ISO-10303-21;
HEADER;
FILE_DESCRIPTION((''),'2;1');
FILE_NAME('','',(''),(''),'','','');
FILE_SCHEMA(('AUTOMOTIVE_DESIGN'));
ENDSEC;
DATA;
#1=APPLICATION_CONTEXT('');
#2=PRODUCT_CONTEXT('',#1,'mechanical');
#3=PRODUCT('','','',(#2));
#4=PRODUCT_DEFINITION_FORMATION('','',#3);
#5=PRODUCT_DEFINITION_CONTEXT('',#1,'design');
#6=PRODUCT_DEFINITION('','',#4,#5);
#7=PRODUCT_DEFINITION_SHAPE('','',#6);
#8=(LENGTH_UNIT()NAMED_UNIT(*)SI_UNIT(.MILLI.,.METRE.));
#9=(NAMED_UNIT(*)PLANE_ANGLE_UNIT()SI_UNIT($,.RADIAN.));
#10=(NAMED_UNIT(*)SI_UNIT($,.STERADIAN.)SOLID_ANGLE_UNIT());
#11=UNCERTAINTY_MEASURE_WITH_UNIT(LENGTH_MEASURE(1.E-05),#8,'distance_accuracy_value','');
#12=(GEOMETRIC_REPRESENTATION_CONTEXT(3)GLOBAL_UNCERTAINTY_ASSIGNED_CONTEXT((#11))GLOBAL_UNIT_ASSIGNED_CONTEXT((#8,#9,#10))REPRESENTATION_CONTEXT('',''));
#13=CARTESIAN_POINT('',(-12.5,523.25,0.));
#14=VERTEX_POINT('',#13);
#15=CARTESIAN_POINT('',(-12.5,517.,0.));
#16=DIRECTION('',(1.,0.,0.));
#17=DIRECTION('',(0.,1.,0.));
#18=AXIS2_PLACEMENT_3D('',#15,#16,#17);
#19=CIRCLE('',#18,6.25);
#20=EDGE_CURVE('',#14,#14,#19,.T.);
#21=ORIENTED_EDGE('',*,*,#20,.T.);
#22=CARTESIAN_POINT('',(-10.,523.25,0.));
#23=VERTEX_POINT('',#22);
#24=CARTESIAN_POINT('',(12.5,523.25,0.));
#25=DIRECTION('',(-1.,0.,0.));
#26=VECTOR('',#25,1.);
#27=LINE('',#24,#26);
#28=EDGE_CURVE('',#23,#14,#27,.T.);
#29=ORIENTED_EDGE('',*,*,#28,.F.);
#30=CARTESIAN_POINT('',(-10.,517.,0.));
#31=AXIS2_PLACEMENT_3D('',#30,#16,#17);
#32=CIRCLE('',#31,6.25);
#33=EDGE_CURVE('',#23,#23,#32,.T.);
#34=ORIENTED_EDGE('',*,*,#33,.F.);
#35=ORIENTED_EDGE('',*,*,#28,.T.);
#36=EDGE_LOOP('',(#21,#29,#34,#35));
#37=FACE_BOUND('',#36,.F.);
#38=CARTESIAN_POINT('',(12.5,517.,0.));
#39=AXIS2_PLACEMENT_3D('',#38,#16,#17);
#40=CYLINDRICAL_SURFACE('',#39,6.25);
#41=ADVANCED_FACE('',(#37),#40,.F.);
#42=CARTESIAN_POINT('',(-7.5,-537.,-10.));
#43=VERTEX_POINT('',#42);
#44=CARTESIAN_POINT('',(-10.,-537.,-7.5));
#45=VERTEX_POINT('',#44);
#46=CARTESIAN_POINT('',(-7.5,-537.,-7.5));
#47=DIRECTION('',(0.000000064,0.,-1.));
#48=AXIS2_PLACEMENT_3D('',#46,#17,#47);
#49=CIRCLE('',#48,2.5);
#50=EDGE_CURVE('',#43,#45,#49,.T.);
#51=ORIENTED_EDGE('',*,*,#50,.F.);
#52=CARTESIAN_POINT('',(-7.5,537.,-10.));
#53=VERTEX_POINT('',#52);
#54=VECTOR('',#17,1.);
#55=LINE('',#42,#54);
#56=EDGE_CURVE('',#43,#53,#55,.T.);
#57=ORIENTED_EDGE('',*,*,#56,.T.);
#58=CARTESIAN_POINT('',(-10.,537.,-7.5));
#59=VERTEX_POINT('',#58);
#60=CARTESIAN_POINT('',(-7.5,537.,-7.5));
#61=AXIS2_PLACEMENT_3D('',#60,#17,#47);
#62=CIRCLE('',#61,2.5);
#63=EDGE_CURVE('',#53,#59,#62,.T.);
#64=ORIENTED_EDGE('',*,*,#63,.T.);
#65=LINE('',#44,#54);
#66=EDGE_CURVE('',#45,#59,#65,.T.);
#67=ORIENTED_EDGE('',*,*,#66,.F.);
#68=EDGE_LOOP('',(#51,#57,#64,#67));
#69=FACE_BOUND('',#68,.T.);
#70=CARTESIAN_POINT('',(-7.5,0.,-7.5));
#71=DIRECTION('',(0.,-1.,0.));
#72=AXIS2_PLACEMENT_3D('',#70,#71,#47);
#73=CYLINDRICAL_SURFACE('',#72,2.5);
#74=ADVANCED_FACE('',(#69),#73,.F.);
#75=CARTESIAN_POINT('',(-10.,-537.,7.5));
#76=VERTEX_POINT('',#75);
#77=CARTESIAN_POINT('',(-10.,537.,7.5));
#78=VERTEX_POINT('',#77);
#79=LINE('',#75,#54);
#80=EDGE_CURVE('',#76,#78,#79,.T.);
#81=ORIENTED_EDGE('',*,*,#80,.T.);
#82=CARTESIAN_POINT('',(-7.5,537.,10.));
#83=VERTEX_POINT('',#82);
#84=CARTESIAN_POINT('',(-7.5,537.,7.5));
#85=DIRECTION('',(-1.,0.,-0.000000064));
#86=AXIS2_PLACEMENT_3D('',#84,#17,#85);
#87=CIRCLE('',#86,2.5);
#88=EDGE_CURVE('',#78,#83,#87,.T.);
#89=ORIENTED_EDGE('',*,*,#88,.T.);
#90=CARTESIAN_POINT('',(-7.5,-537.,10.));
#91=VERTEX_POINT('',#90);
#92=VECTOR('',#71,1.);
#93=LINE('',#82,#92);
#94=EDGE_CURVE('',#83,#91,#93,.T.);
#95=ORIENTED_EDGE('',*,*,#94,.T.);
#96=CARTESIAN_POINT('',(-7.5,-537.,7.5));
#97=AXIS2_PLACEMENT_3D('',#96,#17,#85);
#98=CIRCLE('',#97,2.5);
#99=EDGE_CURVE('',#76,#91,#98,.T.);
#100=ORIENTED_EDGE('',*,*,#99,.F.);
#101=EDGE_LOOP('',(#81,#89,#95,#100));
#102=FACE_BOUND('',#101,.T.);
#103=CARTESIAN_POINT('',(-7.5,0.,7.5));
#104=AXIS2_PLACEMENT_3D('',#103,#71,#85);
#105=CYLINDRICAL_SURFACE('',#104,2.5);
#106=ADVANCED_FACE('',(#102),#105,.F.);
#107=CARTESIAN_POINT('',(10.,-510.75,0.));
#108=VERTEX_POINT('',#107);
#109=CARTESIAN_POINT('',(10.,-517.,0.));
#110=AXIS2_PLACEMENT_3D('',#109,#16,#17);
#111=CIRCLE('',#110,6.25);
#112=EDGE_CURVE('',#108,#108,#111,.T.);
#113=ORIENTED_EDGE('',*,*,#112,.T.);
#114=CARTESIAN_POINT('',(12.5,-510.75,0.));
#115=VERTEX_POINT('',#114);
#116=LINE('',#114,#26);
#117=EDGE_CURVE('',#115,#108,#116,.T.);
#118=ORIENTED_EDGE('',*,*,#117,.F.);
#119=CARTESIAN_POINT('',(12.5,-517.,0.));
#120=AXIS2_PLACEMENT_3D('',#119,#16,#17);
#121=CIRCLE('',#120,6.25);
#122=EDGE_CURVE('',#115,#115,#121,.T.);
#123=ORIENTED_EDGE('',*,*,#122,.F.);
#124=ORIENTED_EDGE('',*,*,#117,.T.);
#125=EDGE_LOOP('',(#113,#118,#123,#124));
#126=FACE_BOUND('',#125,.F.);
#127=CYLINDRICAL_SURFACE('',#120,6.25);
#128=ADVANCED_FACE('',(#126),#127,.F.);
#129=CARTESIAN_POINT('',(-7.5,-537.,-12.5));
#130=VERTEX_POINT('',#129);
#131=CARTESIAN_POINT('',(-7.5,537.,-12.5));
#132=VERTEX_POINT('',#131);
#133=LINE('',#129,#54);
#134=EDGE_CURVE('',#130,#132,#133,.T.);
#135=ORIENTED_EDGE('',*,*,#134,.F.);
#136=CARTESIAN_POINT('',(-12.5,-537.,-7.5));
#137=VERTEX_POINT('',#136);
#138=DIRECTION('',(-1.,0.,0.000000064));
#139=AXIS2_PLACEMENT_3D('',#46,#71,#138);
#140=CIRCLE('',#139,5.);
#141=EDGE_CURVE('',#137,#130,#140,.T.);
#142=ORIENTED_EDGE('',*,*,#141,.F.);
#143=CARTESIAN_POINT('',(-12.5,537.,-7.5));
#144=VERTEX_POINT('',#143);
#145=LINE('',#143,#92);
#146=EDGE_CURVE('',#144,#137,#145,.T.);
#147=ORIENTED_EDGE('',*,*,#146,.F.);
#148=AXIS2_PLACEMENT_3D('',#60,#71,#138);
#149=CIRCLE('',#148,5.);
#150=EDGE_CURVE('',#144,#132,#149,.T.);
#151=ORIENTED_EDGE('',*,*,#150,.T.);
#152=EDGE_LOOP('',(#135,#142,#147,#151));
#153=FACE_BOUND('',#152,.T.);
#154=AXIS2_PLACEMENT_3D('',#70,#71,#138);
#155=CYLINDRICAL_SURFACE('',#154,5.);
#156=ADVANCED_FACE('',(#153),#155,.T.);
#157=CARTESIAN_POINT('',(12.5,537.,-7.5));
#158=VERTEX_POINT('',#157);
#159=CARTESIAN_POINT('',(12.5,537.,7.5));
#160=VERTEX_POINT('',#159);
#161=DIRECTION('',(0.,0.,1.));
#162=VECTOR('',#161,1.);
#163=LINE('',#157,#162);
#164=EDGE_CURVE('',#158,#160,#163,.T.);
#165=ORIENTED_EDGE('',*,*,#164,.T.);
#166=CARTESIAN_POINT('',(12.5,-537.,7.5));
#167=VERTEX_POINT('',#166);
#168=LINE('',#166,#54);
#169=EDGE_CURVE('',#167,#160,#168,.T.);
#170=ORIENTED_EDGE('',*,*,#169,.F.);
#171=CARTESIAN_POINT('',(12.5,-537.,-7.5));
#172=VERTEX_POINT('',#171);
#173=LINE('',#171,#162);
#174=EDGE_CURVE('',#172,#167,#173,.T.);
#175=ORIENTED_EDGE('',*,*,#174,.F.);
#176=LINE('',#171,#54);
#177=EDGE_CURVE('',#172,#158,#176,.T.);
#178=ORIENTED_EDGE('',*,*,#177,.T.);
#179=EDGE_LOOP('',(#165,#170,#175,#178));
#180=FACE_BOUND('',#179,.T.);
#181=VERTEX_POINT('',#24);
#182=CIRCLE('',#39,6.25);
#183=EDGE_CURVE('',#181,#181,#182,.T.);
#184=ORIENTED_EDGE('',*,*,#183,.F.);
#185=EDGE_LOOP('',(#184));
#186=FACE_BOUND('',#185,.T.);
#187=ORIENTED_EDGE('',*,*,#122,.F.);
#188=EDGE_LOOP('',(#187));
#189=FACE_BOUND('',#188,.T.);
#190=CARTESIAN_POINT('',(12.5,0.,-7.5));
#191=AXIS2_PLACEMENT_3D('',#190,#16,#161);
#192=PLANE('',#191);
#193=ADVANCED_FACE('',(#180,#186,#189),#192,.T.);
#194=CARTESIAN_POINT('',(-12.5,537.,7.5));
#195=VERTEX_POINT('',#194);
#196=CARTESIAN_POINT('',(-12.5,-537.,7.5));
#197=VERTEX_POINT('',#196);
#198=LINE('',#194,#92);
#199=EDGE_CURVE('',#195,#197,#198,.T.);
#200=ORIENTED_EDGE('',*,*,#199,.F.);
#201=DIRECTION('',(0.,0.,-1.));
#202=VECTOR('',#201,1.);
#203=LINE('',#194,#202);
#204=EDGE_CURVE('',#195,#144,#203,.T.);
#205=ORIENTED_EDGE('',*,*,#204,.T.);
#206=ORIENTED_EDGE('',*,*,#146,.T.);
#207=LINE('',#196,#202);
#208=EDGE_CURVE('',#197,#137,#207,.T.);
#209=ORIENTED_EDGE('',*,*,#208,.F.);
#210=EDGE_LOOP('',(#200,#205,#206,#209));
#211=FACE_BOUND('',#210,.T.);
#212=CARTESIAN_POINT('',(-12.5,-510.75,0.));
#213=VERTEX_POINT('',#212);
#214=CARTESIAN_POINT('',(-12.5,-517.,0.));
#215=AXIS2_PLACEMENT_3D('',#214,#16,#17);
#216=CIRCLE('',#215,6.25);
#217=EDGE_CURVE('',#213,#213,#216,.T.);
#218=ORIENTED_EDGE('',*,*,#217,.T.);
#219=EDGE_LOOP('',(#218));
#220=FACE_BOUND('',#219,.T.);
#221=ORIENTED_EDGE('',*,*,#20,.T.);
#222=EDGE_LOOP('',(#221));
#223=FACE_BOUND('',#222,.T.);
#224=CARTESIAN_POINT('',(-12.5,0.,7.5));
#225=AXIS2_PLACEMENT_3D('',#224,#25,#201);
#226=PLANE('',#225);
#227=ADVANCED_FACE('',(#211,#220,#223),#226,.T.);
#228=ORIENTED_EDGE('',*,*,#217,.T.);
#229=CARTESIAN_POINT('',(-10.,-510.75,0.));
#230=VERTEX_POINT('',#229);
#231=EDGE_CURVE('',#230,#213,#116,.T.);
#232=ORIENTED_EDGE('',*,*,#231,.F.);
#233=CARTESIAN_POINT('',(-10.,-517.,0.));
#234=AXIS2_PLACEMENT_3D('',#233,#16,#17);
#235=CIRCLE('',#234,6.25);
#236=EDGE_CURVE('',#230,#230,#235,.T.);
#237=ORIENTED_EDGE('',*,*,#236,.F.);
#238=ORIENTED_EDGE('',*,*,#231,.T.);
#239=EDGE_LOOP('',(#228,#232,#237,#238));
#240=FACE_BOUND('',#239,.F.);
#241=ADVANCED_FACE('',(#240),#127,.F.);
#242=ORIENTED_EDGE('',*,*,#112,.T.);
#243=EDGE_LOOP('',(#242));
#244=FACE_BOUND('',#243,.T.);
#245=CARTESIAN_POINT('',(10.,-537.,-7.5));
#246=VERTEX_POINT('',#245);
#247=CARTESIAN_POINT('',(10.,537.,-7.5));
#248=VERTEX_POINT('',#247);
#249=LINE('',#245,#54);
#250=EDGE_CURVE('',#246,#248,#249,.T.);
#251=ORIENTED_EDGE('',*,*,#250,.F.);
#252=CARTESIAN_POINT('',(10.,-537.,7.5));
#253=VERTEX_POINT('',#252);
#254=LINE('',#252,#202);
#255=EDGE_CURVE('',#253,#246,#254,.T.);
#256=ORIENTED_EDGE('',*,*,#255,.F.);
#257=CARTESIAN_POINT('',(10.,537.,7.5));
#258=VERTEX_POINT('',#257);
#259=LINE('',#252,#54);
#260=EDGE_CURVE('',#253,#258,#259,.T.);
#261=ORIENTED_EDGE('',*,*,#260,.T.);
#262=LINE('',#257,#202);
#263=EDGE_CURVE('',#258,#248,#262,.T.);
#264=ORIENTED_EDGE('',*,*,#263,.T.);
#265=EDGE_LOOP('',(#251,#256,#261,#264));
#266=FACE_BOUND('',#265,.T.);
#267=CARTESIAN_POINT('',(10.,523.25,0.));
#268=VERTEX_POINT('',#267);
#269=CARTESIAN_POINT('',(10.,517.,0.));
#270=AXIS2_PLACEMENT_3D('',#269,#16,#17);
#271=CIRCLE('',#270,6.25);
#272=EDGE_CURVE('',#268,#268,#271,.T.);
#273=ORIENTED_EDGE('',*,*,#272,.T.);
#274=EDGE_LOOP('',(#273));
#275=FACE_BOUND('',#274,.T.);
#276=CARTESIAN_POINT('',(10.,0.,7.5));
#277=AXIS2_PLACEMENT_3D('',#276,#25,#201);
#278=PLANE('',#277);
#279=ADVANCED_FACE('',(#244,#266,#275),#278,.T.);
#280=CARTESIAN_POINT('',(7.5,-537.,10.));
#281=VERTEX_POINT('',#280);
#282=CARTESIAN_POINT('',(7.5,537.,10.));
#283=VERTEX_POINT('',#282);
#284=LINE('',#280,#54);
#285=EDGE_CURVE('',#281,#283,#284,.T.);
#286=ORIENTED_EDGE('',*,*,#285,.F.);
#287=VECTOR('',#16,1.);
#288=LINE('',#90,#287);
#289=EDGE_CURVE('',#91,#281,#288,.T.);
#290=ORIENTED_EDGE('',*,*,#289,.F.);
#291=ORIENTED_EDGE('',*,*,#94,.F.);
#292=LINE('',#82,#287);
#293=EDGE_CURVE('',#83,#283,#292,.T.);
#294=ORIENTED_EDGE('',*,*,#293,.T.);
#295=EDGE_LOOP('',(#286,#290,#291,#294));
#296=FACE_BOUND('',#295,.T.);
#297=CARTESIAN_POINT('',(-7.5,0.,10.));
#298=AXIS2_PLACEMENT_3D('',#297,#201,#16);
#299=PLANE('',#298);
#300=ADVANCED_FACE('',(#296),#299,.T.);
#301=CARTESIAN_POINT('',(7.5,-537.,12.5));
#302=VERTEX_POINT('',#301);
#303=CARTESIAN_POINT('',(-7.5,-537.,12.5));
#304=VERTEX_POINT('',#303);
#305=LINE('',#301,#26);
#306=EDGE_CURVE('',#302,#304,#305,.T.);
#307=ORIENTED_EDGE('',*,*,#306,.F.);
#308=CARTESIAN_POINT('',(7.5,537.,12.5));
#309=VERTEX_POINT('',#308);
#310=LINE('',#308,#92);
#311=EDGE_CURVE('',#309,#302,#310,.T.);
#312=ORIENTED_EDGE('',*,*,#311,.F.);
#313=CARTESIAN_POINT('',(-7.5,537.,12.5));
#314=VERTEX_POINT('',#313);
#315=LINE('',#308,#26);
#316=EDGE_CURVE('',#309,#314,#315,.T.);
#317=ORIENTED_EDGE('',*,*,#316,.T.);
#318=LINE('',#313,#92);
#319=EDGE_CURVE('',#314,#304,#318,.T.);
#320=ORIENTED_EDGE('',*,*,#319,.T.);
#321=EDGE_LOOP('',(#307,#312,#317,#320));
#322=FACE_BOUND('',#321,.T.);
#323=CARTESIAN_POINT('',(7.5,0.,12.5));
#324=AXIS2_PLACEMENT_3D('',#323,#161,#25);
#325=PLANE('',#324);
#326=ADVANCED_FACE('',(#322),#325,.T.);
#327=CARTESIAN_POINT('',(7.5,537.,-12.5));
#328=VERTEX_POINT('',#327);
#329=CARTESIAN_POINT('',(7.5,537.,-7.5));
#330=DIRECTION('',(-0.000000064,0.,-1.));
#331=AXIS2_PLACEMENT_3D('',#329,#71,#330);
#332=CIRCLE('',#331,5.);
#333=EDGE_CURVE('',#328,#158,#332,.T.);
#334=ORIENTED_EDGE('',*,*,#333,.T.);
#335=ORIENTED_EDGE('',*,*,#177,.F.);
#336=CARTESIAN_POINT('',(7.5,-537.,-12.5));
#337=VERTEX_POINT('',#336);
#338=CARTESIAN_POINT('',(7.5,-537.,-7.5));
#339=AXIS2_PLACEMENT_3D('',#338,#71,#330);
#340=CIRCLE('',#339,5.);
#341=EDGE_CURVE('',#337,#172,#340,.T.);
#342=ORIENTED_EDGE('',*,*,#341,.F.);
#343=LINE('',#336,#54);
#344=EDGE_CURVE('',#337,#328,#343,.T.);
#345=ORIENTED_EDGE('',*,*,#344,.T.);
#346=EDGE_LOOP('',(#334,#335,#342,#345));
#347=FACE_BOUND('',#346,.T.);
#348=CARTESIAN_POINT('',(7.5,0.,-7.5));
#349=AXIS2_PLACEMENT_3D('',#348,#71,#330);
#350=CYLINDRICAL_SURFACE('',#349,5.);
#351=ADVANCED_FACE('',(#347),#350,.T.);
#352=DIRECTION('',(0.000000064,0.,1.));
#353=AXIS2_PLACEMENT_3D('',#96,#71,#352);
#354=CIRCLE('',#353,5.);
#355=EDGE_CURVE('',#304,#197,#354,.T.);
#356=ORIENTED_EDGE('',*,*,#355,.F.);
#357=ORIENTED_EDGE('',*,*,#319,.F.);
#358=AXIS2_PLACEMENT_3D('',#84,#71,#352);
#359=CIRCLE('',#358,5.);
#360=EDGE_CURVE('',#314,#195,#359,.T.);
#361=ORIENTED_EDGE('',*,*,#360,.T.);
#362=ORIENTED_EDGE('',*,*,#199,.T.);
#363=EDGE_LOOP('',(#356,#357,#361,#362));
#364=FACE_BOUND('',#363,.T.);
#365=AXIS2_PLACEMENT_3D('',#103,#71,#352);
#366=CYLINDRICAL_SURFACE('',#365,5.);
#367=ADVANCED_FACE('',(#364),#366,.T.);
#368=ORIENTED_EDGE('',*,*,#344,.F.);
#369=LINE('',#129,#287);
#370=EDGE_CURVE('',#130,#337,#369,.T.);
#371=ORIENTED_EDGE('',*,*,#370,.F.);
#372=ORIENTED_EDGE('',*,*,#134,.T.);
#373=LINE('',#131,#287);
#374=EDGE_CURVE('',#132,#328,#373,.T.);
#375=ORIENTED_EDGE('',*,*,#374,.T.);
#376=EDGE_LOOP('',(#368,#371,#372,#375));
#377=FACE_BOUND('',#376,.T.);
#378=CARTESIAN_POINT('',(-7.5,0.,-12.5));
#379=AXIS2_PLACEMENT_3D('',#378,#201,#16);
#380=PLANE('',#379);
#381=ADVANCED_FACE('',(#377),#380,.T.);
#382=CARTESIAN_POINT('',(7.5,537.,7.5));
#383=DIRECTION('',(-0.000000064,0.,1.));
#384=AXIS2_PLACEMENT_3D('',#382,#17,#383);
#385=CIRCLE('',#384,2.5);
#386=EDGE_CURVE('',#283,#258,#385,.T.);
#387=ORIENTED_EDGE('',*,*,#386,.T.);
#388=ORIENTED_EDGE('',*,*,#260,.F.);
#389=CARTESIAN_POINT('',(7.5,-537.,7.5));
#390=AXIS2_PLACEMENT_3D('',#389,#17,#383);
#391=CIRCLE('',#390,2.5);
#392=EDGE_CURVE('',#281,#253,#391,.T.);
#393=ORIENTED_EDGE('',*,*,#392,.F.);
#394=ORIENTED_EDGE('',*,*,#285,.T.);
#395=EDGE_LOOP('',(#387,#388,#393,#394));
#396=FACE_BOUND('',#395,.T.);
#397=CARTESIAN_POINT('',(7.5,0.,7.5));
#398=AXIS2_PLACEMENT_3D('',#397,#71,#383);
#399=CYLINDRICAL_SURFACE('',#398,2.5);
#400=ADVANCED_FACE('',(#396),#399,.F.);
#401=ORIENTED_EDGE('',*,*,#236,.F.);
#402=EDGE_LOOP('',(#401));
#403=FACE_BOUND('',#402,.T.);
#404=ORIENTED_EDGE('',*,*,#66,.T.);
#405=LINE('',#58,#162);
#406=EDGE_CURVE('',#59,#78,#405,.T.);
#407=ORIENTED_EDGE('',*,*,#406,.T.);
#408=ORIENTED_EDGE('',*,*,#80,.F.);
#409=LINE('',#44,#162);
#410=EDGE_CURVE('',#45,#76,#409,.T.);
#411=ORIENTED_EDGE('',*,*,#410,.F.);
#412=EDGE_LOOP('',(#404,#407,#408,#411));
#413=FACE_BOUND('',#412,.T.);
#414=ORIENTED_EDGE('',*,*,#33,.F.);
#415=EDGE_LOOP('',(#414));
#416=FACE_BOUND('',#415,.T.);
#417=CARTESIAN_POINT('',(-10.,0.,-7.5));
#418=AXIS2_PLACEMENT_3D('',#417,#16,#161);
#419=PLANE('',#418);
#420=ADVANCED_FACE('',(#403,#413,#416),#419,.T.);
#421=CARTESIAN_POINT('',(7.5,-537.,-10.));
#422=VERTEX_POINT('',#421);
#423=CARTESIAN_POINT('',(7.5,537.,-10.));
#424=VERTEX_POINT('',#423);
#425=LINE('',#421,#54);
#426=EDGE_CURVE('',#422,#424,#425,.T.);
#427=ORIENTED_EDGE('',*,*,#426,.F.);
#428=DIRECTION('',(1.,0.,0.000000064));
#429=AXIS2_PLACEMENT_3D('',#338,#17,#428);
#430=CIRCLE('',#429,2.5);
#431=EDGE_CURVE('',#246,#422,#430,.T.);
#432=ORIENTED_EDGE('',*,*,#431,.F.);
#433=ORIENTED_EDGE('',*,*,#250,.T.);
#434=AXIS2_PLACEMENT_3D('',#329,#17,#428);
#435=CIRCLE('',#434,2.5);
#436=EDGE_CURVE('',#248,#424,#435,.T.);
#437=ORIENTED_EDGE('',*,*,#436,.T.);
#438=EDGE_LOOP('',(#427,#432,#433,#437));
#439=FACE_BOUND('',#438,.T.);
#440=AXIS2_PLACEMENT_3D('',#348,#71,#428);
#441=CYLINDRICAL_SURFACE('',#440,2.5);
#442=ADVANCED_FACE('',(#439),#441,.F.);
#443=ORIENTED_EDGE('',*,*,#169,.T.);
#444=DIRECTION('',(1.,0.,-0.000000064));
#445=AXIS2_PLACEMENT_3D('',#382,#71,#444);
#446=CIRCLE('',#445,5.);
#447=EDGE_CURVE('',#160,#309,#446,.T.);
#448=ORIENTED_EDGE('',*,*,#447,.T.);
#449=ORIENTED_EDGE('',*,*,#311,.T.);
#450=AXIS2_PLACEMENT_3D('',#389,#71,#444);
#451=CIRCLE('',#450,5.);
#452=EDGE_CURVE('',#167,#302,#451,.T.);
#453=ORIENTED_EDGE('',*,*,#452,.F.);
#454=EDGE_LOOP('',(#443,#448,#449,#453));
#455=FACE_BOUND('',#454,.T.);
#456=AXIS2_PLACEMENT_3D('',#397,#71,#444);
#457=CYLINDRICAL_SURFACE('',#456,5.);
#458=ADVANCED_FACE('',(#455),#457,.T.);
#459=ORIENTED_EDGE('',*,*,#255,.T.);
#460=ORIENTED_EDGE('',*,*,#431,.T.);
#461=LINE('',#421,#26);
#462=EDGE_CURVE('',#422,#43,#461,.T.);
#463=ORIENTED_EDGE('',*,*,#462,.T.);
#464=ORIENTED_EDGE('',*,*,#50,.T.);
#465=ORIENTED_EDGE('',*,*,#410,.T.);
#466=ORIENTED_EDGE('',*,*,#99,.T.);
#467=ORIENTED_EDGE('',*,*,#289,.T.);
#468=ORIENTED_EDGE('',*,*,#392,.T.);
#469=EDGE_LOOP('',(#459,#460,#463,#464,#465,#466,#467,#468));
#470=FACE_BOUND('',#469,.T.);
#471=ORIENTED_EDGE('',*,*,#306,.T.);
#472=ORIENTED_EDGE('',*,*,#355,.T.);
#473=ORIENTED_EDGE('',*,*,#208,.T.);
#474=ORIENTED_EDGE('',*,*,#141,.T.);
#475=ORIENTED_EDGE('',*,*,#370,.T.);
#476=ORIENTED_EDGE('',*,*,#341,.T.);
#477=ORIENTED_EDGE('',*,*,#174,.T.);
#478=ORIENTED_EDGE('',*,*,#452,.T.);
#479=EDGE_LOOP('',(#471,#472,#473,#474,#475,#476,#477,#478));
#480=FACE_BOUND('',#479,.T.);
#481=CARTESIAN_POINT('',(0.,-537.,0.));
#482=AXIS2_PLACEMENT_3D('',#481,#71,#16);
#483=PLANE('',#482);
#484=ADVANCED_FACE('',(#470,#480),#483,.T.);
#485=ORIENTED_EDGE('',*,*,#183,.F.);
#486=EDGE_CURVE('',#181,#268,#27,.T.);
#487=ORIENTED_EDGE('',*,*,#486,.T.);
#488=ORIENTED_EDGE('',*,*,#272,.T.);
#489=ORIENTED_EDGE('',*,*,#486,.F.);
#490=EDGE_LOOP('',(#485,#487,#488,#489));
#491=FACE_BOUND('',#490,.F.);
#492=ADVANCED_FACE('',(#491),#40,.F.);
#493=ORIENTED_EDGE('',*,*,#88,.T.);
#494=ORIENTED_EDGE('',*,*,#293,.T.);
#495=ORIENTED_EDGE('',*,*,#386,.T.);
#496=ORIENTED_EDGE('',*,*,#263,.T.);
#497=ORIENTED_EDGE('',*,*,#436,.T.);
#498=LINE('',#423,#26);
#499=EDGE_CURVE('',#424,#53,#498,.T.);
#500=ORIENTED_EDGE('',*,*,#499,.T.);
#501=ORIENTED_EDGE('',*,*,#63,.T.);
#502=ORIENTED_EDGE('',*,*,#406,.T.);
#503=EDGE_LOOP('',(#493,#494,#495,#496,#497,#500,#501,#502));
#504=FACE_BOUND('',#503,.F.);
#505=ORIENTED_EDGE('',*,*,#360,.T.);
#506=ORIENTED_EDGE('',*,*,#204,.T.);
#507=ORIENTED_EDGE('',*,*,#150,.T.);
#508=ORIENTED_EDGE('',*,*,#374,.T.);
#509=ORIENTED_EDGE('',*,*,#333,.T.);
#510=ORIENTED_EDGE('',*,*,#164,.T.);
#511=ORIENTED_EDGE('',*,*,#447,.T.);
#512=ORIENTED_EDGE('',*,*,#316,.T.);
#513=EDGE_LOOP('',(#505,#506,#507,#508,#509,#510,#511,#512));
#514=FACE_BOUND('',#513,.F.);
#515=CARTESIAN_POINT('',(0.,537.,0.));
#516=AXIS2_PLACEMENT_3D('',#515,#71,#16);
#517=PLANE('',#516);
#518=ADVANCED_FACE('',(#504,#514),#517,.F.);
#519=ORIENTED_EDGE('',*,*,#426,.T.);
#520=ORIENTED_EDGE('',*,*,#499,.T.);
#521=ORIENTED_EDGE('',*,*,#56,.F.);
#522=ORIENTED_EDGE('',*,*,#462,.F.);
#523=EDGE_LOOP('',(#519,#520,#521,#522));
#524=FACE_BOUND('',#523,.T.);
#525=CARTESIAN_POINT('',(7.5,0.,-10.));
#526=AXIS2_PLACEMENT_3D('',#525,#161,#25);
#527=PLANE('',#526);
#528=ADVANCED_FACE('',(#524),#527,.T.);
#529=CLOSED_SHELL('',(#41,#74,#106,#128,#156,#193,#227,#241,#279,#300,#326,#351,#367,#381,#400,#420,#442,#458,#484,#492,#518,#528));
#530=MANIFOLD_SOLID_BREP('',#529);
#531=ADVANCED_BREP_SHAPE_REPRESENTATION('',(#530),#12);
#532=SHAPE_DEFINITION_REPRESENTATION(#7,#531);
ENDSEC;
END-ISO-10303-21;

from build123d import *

# Parameters (mm, degrees)
F1_DEPTH = 537
F2_R     = 6.25
F3_DEPTH = 25.001


with BuildPart() as f1:
    # F0 (on Front) → F1 (new body, symmetric)
    with BuildSketch(Plane.XZ):
        with BuildLine():
            ThreePointArc((12.5, 7.5), (11.035534, 11.035534), (7.5, 12.5))
            Line((7.5, 12.5), (-7.5, 12.5))
            ThreePointArc((-7.5, 12.5), (-11.035534, 11.035534), (-12.5, 7.5))
            Line((-12.5, 7.5), (-12.5, -7.5))
            ThreePointArc((-12.5, -7.5), (-11.035534, -11.035534), (-7.5, -12.5))
            Line((-7.5, -12.5), (7.5, -12.5))
            ThreePointArc((7.5, -12.5), (11.035534, -11.035534), (12.5, -7.5))
            Line((12.5, -7.5), (12.5, 7.5))
        make_face()
        with BuildLine():
            Line((-7.5, 10), (7.5, 10))
            ThreePointArc((7.5, 10), (9.267767, 9.267767), (10, 7.5))
            Line((10, 7.5), (10, -7.5))
            ThreePointArc((10, -7.5), (9.267767, -9.267767), (7.5, -10))
            Line((7.5, -10), (-7.5, -10))
            ThreePointArc((-7.5, -10), (-9.267767, -9.267767), (-10, -7.5))
            Line((-10, -7.5), (-10, 7.5))
            ThreePointArc((-10, 7.5), (-9.267767, 9.267767), (-7.5, 10))
        make_face(mode=Mode.SUBTRACT)
    extrude(amount=F1_DEPTH, both=True)

    # F2 (on face) → F3 (cut, through all)
    with BuildSketch(Plane.YZ.offset(12.5)):
        with Locations((-517, 0)):
            Circle(F2_R)
        with Locations((517, 0)):
            Circle(F2_R)
    extrude(amount=-F3_DEPTH, mode=Mode.SUBTRACT)


solid = f1.part
